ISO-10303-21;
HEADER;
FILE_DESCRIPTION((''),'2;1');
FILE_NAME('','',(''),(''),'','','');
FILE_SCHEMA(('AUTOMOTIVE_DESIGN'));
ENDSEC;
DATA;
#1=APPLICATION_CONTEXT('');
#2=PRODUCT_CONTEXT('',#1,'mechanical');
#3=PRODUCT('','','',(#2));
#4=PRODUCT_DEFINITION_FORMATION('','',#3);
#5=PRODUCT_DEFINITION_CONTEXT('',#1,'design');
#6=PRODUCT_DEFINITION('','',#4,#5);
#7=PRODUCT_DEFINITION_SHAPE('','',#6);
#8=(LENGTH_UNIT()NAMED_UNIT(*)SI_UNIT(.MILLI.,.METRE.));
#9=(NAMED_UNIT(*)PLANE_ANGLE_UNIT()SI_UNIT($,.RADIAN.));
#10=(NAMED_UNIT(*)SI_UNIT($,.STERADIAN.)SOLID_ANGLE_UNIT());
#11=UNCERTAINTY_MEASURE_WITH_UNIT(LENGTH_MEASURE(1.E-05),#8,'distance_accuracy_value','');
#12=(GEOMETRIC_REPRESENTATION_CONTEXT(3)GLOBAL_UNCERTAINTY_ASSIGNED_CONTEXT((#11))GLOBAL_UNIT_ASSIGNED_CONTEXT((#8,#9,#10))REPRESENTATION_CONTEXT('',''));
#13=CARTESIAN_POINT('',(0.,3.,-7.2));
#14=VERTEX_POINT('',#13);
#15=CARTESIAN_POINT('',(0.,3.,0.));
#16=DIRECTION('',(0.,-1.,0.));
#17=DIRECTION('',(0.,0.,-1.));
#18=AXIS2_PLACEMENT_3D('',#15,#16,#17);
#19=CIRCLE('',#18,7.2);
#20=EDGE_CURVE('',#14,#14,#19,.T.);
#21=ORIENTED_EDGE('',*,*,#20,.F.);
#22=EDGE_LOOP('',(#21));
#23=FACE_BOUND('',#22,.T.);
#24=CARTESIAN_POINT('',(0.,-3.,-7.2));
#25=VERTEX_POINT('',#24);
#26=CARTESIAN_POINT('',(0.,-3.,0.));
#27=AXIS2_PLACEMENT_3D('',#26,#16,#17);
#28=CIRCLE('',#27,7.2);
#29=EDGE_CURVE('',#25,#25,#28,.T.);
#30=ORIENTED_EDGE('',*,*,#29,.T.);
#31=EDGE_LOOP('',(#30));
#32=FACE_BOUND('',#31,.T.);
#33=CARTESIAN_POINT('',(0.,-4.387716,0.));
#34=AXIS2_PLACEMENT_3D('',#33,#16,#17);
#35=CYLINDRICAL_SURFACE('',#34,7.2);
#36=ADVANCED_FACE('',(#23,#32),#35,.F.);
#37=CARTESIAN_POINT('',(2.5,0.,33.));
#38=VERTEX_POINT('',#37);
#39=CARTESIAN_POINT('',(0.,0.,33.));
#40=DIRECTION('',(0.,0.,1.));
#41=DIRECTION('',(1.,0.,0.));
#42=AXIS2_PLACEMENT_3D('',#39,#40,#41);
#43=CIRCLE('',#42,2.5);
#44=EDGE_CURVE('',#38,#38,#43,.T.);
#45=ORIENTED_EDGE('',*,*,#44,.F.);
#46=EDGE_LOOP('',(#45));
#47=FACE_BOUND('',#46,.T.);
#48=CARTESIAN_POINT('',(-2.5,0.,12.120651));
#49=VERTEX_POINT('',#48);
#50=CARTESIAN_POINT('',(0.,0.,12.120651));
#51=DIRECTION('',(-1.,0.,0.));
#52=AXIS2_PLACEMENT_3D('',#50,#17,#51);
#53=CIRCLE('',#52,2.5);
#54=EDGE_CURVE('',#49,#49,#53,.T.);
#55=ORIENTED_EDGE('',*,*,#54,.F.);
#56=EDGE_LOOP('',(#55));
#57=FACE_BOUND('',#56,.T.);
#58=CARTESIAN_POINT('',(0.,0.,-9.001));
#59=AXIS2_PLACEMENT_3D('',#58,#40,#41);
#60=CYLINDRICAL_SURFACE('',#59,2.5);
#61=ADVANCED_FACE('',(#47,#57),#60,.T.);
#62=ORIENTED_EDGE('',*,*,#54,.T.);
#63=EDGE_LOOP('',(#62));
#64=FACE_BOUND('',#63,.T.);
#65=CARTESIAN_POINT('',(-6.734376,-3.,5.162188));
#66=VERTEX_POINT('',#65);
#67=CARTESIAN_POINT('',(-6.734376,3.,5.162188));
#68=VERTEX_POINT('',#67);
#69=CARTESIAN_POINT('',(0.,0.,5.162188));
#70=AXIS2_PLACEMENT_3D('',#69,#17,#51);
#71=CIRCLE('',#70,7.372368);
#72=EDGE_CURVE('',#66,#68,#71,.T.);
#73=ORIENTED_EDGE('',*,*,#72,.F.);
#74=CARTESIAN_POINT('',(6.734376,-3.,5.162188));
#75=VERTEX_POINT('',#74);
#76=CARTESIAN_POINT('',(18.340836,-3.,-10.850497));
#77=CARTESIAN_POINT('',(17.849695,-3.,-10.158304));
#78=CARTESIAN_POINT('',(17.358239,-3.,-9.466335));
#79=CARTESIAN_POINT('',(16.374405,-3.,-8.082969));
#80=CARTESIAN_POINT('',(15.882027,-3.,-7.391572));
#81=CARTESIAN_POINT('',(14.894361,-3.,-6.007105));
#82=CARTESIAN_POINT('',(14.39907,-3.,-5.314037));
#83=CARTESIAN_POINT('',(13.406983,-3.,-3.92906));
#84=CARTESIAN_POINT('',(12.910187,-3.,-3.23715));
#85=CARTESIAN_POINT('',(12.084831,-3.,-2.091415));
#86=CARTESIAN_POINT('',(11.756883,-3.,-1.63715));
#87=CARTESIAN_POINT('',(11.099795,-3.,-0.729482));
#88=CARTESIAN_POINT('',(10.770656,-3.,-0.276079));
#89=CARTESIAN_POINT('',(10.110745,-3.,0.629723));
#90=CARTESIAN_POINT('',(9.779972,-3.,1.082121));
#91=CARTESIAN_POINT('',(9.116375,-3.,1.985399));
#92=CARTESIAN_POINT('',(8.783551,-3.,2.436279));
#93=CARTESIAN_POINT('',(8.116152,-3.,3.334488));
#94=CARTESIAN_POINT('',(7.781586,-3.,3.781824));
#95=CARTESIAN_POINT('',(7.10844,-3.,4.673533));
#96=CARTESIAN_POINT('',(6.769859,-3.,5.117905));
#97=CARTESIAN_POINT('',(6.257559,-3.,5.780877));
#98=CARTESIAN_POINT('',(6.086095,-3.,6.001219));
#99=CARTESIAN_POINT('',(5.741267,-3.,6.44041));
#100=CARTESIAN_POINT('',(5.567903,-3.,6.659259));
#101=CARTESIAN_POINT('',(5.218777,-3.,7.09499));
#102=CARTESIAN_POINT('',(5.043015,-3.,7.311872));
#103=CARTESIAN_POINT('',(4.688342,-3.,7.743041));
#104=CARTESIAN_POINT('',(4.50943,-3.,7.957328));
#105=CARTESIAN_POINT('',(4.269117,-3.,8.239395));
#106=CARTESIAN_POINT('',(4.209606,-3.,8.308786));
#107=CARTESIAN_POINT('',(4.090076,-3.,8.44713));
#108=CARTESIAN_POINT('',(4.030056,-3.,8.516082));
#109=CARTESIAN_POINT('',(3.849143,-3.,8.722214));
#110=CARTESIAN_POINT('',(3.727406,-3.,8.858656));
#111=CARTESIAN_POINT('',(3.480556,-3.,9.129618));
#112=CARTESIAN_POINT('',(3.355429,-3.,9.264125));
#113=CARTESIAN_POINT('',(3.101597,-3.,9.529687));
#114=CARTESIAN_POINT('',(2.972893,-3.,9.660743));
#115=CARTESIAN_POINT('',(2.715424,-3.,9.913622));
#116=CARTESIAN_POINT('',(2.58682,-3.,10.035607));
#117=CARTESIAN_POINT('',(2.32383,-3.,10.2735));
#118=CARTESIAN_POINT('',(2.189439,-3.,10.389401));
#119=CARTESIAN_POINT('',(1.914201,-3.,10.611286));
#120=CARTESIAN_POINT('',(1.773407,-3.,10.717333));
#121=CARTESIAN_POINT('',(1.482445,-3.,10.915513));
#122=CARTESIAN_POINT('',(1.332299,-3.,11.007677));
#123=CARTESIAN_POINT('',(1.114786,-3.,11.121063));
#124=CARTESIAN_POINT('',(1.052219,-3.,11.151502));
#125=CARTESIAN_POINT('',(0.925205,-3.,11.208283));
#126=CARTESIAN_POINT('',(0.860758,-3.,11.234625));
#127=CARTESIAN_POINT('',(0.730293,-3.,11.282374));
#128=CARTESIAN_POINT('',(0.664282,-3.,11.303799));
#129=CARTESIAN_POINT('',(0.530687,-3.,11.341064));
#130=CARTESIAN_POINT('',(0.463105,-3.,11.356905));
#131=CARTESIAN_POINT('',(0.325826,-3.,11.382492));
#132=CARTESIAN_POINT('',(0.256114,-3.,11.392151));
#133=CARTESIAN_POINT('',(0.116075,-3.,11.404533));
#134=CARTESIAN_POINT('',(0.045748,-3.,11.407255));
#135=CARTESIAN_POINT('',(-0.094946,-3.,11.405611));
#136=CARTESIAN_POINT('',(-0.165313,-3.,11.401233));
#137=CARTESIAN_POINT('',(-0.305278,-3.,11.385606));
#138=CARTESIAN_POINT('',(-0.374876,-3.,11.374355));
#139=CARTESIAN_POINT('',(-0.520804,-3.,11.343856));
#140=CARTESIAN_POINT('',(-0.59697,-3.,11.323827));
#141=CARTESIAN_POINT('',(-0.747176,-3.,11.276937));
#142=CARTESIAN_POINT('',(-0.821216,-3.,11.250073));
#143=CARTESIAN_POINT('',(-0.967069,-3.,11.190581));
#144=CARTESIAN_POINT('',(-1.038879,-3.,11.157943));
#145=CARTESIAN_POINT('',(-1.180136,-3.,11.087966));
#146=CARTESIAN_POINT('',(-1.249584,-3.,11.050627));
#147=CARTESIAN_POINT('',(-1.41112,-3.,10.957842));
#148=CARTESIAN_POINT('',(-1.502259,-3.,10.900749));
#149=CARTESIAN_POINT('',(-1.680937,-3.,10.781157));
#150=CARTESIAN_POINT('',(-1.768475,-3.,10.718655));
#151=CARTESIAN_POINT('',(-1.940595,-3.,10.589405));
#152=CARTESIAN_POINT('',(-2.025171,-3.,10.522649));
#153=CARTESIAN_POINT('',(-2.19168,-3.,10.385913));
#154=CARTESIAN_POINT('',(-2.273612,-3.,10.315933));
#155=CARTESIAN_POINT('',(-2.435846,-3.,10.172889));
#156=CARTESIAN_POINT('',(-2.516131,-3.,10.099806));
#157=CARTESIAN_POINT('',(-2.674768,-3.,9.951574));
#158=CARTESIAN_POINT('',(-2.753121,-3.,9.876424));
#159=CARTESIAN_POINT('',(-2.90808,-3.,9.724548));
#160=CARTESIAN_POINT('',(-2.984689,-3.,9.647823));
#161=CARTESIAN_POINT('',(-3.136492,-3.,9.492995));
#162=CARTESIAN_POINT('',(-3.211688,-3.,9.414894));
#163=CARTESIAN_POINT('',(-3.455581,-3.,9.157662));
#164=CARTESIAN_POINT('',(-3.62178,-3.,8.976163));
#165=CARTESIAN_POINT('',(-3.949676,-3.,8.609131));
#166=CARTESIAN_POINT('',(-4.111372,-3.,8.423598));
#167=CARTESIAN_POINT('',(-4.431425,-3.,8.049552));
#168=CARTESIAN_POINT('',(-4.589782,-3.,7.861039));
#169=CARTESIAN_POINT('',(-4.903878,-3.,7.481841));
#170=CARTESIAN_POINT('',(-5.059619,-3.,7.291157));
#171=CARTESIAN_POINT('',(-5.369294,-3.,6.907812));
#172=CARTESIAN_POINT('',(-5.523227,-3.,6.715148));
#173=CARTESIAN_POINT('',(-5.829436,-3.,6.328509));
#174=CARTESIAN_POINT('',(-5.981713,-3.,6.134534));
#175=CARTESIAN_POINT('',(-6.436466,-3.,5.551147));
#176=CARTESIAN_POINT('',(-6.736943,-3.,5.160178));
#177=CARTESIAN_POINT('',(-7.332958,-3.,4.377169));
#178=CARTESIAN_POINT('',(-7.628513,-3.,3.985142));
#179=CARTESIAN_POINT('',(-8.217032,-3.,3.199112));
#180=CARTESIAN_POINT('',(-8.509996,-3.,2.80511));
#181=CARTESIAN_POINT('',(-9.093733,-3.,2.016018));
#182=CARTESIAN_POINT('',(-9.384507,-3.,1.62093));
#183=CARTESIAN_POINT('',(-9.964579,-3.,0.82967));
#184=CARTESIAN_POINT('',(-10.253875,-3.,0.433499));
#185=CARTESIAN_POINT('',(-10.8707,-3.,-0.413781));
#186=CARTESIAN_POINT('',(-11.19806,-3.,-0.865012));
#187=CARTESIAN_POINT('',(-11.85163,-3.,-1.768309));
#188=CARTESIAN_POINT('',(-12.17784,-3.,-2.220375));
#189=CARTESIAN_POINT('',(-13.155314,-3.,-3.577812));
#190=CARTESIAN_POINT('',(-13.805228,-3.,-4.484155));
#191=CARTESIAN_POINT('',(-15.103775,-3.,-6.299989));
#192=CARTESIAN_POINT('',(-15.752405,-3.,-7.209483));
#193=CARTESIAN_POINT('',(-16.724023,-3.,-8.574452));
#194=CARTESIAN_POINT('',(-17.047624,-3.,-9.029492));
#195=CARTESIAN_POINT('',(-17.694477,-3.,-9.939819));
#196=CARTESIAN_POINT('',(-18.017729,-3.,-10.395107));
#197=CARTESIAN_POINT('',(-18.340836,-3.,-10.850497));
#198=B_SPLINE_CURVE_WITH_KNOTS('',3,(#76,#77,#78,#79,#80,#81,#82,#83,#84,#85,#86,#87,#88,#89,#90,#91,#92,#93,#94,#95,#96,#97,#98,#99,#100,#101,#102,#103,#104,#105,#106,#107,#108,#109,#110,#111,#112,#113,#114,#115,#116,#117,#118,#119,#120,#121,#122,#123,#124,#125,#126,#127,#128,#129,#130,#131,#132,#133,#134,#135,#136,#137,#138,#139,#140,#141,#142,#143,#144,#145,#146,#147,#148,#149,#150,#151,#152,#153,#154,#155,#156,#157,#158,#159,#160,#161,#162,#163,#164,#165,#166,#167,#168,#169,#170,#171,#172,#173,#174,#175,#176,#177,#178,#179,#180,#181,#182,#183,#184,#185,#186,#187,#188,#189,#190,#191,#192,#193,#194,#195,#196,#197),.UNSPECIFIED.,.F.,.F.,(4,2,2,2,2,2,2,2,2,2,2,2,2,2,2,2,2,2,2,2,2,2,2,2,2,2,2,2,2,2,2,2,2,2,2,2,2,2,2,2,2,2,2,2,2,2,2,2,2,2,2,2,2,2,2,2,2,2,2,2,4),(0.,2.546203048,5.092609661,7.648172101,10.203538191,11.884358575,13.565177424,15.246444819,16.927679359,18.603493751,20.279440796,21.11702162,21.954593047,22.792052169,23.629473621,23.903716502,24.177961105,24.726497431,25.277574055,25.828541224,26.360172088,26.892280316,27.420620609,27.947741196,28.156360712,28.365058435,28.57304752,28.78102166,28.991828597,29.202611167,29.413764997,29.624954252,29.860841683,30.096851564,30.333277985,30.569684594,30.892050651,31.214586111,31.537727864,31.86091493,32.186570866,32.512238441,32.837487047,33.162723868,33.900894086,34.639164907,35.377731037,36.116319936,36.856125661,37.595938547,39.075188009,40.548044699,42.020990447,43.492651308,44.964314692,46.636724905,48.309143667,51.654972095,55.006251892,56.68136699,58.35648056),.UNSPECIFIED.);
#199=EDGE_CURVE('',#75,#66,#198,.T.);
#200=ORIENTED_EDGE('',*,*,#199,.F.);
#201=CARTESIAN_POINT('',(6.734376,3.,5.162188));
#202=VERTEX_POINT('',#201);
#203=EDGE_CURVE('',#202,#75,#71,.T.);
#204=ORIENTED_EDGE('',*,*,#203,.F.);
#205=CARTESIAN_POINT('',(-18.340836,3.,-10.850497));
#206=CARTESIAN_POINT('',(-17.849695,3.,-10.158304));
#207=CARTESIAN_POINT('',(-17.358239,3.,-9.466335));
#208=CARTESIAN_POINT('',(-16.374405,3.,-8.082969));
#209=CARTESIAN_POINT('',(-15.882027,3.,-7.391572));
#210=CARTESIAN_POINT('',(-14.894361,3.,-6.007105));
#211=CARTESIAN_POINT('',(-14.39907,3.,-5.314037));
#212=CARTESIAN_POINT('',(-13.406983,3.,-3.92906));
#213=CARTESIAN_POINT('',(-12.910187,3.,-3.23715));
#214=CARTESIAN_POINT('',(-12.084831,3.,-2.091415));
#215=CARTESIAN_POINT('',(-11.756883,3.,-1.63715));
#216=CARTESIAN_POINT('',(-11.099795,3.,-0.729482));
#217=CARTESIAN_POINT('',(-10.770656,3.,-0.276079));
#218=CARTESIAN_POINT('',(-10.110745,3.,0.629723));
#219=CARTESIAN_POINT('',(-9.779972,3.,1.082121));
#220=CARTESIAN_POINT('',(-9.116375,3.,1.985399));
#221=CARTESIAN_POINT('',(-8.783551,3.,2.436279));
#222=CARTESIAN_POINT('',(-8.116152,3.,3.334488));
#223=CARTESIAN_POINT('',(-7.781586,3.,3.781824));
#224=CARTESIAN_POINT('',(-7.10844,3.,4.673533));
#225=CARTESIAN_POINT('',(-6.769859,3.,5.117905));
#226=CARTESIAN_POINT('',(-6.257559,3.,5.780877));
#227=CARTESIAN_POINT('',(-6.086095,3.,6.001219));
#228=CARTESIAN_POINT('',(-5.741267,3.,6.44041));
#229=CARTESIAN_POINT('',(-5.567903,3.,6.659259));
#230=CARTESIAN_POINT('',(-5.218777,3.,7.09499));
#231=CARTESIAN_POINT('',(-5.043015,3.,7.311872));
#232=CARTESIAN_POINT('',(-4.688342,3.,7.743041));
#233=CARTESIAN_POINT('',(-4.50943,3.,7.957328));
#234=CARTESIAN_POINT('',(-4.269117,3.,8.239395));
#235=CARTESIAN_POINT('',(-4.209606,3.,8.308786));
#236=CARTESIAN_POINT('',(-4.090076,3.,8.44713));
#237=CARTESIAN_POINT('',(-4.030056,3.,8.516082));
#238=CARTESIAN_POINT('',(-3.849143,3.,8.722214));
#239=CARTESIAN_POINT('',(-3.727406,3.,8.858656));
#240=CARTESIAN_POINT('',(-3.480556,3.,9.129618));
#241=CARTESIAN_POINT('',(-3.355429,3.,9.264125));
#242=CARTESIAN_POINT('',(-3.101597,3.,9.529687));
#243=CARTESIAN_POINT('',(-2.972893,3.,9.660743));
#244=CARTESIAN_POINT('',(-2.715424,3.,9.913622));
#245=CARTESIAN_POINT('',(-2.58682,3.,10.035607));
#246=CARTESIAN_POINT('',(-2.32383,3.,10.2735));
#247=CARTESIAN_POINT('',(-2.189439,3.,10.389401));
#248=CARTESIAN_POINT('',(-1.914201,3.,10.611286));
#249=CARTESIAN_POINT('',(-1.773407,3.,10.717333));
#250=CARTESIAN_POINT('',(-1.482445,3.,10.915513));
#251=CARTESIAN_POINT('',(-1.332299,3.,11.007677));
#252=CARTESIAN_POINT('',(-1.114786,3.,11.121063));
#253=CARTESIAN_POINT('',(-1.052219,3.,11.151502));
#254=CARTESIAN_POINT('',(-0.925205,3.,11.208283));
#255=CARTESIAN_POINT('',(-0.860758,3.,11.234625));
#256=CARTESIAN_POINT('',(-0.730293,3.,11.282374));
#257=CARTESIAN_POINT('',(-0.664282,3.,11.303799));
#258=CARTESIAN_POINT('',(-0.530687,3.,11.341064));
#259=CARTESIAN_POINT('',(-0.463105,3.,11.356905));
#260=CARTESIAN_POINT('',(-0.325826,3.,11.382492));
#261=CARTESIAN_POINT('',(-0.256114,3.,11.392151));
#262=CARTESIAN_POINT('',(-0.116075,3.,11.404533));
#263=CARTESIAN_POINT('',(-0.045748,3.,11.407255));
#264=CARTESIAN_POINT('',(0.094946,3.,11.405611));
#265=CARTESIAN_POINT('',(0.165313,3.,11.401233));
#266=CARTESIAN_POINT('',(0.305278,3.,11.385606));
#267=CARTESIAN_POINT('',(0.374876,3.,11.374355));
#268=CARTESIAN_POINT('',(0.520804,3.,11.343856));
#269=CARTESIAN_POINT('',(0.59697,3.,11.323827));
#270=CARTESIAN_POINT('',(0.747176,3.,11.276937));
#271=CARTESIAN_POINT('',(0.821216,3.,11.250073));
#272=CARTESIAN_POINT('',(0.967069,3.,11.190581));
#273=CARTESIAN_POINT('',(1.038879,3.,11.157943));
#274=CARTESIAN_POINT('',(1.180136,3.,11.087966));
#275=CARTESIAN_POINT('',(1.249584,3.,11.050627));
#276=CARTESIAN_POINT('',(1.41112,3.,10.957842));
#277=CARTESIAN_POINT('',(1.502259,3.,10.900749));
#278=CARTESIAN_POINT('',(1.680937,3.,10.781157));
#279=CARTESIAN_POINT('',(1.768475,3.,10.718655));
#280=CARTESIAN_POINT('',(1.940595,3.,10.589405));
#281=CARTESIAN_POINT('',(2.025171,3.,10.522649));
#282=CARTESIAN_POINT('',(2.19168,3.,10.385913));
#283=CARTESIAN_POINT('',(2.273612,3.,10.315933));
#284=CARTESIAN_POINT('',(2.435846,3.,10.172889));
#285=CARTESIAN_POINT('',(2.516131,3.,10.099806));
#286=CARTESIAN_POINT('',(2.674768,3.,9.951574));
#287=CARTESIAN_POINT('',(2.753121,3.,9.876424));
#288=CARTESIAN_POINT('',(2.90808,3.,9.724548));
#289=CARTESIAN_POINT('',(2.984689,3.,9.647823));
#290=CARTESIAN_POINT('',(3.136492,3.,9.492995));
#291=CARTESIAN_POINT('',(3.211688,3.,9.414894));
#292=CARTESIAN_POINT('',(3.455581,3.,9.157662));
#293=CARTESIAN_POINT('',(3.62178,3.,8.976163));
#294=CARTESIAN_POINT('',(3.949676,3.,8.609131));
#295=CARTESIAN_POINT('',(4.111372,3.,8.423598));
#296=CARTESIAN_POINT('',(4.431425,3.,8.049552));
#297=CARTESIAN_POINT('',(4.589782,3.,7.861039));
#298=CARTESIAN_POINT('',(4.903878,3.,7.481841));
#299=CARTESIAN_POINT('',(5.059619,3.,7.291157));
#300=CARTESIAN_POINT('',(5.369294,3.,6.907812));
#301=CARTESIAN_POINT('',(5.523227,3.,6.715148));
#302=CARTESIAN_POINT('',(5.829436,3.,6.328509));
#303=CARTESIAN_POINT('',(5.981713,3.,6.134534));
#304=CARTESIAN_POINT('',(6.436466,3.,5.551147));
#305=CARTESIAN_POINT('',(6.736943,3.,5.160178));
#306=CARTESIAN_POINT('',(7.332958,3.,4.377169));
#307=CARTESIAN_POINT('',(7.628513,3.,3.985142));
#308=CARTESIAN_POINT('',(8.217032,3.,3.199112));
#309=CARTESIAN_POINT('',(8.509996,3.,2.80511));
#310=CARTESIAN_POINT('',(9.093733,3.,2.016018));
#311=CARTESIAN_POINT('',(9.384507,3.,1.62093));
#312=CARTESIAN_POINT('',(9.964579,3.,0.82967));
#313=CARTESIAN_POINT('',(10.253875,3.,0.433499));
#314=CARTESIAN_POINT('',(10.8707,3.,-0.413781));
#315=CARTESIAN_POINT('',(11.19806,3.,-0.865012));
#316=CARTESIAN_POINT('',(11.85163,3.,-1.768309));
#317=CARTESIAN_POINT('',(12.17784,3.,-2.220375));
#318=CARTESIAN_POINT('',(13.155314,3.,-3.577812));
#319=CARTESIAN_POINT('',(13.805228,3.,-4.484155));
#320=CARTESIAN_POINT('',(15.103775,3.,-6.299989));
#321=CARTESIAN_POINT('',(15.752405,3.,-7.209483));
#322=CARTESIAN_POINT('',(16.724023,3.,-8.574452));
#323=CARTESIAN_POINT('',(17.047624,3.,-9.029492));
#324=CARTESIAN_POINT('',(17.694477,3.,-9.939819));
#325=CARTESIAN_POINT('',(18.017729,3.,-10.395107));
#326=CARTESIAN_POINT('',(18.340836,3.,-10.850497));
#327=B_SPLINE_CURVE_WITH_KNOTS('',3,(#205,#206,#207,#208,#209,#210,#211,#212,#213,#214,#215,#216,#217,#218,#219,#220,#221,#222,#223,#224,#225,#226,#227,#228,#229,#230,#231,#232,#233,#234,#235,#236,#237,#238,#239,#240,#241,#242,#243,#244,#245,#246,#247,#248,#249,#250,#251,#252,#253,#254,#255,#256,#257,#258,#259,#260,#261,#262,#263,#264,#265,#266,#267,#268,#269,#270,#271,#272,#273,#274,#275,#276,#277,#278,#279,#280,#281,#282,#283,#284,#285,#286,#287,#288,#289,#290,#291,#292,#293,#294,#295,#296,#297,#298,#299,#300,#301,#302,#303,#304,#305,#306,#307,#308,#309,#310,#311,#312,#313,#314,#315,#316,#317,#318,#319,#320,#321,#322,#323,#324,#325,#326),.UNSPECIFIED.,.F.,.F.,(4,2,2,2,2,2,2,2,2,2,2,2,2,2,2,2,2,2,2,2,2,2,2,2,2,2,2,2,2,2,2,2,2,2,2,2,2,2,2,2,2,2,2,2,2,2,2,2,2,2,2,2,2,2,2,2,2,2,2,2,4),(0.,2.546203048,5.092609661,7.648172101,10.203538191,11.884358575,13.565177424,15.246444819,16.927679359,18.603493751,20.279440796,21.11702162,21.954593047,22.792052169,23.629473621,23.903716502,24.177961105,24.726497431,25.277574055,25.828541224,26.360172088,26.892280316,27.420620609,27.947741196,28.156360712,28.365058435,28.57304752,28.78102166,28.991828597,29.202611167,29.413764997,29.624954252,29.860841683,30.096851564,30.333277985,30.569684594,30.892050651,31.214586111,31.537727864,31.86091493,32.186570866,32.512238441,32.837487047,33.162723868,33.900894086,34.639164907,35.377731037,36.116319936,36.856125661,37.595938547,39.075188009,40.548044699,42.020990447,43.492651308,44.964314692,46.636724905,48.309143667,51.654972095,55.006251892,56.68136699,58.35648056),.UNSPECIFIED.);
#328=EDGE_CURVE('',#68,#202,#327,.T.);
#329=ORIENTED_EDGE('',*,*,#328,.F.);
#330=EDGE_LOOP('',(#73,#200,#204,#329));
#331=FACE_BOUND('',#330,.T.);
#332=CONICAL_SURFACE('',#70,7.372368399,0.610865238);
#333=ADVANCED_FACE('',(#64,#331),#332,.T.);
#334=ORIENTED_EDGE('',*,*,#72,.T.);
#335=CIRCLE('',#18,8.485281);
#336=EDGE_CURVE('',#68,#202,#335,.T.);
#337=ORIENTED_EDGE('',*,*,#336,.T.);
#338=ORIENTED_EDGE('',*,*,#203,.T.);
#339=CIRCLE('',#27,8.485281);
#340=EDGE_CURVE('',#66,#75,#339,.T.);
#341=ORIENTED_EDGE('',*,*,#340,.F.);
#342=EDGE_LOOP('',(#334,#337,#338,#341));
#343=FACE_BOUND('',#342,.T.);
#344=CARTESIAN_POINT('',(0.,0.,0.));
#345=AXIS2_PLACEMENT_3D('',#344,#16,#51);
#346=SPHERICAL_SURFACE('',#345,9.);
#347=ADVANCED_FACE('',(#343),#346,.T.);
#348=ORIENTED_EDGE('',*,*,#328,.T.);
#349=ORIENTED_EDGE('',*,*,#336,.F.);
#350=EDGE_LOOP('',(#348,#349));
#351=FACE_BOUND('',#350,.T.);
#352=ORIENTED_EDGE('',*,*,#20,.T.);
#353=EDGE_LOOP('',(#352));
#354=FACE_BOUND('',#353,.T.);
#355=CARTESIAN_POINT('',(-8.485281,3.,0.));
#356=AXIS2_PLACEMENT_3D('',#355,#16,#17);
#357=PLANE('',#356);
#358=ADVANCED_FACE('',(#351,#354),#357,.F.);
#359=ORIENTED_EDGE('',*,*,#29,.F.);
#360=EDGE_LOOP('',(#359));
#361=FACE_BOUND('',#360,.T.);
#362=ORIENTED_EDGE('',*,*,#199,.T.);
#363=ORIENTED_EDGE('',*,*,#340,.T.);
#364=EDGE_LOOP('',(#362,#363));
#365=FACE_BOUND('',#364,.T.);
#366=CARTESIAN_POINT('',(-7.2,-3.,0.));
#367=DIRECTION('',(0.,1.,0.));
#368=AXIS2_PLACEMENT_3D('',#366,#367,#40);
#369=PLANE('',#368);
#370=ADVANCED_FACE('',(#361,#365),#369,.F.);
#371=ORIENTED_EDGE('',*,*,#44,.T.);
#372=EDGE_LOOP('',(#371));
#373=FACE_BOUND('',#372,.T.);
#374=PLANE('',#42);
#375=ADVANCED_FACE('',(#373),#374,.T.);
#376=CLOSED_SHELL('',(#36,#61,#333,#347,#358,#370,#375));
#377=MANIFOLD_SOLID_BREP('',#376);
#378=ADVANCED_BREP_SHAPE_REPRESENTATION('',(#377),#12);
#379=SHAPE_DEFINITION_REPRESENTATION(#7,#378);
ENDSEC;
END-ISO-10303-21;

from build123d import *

# Parameters (mm, degrees)
BOSS_EXTRUDE1_REACH     = 44
SKETCH4_R               = 2.5
CUT_EXTRUDE1_DEPTH      = 10
CUT_EXTRUDE1_DEPTH_BACK = 10


with BuildPart() as part:
    # Sketch1 → Revolve1 (revolve)
    with BuildSketch(Plane.XY):
        with BuildLine():
            Line((-8.485281374, 3), (-7.2, 3))
            Line((-7.2, 3), (-7.2, -3))
            Line((-7.2, -3), (-8.485281374, -3))
            ThreePointArc((-8.485281374, -3), (-9, 0), (-8.485281374, 3))
        make_face()
    revolve(axis=Axis((0, -4.387716131, 0), (0, 1, 0)))

    # Sketch4 → Boss-Extrude1 (add, up to next)
    with BuildSketch(Plane.XY.offset(33), mode=Mode.PRIVATE) as boss_extrude1_sk1:
        Circle(SKETCH4_R)
    boss_extrude1_tool1 = extrude(boss_extrude1_sk1.sketch, amount=-BOSS_EXTRUDE1_REACH, mode=Mode.PRIVATE) - part.part
    add(boss_extrude1_tool1.solids().sort_by_distance((0, 0, 33))[0])

    # Sketch5 → Revolve2 (revolve)
    with BuildSketch(Plane(origin=(0, 0, 0), x_dir=(1, 0, 0), z_dir=(0, 1, 0))):
        with BuildLine():
            Line((0, -7.8), (0, -15.691021161))
            Line((0, -15.691021161), (-7.372368399, -5.162187927))
            ThreePointArc((-7.372368399, -5.162187927), (-8.583452557, -2.706352196), (-9, 0))
            Line((-9, 0), (-7.8, 0))
            ThreePointArc((-7.8, 0), (-5.515432893, -5.515432893), (0, -7.8))
        make_face()
    revolve(axis=Axis((0, 0, 0), (0, 0, 1)))

    # Sketch6 → Cut-Extrude1 (cut, two sides)
    with BuildSketch(Plane.ZY) as cut_extrude1_sk:
        Polygon((0, 3), (11.40657714, 3), (12.120651144, 2.5), (12, 3), (12, 13), (0, 13), align=None)
        Polygon((0, -3), (11.40657714, -3), (12.120651144, -2.5), (12, -3), (12, -13), (0, -13), align=None)
    extrude(amount=CUT_EXTRUDE1_DEPTH, mode=Mode.SUBTRACT)
    extrude(cut_extrude1_sk.sketch, amount=-CUT_EXTRUDE1_DEPTH_BACK, mode=Mode.SUBTRACT)


solid = part.part
